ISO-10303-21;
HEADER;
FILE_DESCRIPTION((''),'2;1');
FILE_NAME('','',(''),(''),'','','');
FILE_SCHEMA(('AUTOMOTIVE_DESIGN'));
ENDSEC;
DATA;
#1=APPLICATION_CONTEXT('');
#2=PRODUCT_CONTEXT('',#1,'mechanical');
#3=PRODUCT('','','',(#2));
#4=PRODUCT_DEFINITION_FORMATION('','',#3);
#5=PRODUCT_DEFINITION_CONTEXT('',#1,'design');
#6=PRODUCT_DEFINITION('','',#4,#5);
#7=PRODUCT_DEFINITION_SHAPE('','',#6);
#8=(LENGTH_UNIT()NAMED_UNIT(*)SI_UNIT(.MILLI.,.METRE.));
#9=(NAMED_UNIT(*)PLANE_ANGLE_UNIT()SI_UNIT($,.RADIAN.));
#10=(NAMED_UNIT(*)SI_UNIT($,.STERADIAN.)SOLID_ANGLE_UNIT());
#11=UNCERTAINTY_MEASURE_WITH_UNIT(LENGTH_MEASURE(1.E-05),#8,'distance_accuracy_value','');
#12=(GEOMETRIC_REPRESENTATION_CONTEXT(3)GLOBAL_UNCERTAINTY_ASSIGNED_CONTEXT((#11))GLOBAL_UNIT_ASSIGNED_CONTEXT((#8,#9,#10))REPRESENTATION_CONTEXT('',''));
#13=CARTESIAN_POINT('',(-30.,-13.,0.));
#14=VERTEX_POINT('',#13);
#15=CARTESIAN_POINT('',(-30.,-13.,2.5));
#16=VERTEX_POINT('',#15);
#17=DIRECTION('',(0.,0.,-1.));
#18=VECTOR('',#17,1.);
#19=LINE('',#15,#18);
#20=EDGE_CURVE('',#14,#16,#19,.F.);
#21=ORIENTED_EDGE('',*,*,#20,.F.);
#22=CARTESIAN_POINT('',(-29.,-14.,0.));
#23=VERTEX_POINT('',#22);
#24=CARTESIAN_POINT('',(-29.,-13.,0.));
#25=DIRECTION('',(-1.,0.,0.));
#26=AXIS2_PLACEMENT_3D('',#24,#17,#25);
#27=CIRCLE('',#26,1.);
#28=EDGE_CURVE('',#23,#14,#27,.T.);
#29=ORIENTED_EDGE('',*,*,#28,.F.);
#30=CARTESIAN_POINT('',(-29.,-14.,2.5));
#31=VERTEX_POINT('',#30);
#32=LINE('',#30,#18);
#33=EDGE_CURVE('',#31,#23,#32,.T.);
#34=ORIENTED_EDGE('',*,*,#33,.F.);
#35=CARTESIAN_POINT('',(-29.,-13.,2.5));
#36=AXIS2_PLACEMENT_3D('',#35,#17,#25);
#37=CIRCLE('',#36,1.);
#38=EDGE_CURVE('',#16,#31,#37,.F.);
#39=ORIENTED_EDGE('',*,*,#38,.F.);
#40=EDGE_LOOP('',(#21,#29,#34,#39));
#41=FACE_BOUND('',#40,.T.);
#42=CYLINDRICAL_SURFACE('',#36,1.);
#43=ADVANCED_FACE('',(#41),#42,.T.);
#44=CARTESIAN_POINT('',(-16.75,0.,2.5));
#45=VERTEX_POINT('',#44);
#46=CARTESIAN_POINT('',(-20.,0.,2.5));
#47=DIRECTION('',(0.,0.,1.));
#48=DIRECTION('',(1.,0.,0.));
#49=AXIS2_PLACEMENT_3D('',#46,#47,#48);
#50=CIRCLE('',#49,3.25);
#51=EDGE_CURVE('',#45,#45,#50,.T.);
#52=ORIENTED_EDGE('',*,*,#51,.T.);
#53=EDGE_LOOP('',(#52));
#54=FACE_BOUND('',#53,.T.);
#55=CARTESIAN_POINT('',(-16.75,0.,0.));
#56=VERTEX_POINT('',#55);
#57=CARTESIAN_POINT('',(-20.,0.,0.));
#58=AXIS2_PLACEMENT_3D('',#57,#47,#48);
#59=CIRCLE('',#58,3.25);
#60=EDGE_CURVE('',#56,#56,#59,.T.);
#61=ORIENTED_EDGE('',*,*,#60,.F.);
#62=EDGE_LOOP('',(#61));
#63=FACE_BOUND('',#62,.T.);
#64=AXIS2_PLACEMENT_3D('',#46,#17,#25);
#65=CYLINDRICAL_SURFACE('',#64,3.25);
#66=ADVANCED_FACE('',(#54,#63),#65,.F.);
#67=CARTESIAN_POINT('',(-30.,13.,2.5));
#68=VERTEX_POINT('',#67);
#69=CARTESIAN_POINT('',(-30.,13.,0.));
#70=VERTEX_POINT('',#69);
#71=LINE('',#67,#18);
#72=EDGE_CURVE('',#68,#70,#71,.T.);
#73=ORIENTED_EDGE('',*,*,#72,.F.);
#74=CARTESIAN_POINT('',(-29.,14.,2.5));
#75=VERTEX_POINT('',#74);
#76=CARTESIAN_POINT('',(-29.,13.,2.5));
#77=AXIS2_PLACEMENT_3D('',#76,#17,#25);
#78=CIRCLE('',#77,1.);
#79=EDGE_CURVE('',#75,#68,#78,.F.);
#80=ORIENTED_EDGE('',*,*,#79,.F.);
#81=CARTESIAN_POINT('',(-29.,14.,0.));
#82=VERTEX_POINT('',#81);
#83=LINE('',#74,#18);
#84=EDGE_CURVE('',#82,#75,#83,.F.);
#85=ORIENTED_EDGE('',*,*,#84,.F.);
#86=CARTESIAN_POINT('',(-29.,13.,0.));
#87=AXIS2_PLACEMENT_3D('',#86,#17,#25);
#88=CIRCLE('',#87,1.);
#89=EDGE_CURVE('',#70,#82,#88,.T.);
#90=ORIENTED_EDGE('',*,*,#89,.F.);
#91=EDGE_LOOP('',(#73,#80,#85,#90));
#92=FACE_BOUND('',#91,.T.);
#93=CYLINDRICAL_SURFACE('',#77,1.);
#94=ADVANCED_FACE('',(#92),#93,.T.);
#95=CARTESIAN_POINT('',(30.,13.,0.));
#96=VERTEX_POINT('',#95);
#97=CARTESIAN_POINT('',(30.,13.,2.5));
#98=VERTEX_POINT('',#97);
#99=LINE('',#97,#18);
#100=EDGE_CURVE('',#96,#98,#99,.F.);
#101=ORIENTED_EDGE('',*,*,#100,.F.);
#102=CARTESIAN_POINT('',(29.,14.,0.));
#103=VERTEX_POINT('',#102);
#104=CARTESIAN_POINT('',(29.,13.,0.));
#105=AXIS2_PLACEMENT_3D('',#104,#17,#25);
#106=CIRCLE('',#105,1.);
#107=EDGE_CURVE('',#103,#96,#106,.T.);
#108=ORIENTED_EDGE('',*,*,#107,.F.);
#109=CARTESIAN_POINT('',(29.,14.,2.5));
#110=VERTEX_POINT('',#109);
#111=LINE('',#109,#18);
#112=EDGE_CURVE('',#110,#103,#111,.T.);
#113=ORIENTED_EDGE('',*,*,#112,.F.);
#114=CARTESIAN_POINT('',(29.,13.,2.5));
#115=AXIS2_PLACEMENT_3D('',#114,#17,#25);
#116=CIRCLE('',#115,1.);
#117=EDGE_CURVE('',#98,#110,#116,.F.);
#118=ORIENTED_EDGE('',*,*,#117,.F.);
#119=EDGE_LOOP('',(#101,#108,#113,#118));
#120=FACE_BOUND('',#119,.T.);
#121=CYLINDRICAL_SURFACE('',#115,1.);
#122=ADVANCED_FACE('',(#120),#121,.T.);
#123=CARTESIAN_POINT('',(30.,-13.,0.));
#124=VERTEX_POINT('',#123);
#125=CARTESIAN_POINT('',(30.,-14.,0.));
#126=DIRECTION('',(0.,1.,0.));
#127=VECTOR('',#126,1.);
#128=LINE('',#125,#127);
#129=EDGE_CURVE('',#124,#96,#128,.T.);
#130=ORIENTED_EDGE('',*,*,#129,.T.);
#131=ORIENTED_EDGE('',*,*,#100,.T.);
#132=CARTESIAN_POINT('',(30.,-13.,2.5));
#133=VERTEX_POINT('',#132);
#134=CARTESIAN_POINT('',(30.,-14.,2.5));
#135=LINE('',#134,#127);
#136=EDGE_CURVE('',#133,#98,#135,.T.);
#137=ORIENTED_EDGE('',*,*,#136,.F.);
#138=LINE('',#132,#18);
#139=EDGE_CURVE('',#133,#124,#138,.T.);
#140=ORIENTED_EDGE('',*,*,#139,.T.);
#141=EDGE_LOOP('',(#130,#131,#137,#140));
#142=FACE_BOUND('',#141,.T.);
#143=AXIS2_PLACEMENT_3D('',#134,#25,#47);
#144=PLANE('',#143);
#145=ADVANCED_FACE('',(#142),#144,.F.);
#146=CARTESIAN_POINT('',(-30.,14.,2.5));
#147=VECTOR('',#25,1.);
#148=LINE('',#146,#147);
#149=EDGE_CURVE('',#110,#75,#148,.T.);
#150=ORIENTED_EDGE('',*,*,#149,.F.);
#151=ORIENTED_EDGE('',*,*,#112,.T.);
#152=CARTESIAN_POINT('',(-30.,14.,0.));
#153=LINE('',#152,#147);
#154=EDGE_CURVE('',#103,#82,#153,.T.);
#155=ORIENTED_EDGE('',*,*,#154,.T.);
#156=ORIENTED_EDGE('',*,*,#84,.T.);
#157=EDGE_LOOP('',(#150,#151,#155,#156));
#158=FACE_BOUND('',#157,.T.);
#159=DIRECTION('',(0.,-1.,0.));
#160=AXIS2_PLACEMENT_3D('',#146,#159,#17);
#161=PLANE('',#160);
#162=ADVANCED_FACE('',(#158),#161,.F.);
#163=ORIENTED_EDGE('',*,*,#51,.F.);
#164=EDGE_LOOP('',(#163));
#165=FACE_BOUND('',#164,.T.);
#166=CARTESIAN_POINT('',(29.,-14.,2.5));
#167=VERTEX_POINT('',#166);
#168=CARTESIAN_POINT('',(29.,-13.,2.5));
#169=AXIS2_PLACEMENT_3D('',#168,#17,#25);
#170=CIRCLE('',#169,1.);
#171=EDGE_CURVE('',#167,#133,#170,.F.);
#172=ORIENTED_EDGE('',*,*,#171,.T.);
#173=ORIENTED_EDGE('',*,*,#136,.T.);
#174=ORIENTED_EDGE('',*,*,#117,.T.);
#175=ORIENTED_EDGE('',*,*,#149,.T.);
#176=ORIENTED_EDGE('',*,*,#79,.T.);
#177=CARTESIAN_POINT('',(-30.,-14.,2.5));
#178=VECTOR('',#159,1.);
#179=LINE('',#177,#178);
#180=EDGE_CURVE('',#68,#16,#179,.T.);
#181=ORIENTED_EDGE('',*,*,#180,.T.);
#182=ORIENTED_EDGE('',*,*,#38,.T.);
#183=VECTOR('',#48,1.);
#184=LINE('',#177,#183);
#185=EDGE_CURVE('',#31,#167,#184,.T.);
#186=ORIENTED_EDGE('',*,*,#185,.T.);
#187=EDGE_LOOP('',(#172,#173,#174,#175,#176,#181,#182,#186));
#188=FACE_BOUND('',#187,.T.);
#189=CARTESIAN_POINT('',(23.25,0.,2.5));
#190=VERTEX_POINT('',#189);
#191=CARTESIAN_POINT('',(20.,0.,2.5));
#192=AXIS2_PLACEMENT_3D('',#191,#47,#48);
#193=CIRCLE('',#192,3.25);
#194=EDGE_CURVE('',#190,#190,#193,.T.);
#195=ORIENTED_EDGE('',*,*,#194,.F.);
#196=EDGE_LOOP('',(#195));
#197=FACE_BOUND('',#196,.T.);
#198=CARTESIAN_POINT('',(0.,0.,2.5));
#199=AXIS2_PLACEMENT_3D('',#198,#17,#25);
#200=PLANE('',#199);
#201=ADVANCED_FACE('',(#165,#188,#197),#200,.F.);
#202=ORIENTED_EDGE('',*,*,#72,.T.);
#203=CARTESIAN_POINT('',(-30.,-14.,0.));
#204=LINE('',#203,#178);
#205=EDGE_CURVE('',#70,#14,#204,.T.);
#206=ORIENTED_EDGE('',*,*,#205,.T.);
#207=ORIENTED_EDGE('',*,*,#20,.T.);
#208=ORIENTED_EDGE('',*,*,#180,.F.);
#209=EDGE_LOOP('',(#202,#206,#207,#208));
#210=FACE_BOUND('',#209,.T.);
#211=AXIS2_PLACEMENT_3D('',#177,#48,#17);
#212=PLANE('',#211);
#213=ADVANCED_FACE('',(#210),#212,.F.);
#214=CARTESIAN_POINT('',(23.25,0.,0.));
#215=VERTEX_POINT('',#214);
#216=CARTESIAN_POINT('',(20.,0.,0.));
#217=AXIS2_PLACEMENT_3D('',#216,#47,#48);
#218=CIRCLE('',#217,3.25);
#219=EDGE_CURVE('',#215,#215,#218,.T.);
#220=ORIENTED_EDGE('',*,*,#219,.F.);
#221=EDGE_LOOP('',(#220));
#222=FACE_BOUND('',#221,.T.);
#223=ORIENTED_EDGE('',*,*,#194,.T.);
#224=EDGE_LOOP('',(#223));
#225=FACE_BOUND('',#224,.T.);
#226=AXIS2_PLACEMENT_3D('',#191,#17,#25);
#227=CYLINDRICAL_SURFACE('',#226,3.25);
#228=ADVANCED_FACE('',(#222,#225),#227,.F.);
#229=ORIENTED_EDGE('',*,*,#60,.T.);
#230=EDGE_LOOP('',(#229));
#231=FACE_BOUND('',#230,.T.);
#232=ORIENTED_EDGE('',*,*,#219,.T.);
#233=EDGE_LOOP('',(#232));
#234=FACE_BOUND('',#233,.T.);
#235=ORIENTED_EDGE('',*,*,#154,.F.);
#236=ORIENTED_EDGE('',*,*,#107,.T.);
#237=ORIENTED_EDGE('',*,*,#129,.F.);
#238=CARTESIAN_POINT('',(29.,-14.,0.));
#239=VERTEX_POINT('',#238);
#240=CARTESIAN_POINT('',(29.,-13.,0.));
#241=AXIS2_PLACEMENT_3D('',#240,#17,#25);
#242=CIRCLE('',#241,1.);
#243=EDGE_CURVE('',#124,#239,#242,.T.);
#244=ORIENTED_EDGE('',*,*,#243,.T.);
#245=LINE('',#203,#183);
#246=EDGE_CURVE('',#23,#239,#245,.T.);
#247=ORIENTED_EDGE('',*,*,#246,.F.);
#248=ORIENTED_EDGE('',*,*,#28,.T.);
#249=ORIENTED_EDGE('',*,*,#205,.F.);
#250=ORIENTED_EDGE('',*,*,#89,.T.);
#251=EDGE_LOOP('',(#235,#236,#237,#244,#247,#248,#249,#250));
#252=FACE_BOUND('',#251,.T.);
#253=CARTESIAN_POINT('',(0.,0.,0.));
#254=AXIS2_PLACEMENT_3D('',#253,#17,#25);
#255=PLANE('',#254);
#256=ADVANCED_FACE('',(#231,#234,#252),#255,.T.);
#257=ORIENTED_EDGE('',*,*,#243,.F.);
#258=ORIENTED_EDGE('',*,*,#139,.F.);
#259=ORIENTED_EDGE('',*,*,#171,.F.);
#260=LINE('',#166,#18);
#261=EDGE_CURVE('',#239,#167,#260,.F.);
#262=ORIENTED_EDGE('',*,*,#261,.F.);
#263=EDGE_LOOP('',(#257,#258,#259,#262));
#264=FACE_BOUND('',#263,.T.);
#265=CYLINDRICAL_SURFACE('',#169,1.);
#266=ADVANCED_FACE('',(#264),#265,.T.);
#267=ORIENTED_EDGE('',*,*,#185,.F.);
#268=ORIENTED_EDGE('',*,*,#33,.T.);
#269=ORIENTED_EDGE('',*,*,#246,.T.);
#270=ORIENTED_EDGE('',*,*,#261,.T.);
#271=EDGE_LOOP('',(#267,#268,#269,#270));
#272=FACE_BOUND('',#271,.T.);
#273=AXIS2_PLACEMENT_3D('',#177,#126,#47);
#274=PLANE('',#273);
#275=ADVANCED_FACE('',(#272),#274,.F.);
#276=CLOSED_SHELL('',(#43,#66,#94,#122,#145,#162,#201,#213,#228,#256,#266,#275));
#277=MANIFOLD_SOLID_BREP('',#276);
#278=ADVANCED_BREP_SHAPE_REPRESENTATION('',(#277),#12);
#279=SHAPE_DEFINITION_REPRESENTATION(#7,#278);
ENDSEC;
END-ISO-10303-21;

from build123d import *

# Parameters (mm, degrees)
SKETCH_1_W      = 60
SKETCH_1_H      = 28
SKETCH_1_R      = 3.25
EXTRUDE_1_DEPTH = 2.5
FILLET_1_R      = 1


with BuildPart() as part:
    # Эскиз1 → Бобышка-Вытянуть1 (new body)
    with BuildSketch(Plane.XY):
        Rectangle(SKETCH_1_W, SKETCH_1_H)
        with Locations((-20, 0)):
            Circle(SKETCH_1_R, mode=Mode.SUBTRACT)
        with Locations((20, 0)):
            Circle(SKETCH_1_R, mode=Mode.SUBTRACT)
    extrude(amount=EXTRUDE_1_DEPTH)

    # Скругление1
    fillet_1_edges = [part.edges().sort_by_distance(p)[0] for p in [
        (30, -14, 1.25),
        (-30, -14, 1.25),
        (-30, 14, 1.25),
        (30, 14, 1.25),
    ]]
    fillet(fillet_1_edges, radius=FILLET_1_R)


solid = part.part
